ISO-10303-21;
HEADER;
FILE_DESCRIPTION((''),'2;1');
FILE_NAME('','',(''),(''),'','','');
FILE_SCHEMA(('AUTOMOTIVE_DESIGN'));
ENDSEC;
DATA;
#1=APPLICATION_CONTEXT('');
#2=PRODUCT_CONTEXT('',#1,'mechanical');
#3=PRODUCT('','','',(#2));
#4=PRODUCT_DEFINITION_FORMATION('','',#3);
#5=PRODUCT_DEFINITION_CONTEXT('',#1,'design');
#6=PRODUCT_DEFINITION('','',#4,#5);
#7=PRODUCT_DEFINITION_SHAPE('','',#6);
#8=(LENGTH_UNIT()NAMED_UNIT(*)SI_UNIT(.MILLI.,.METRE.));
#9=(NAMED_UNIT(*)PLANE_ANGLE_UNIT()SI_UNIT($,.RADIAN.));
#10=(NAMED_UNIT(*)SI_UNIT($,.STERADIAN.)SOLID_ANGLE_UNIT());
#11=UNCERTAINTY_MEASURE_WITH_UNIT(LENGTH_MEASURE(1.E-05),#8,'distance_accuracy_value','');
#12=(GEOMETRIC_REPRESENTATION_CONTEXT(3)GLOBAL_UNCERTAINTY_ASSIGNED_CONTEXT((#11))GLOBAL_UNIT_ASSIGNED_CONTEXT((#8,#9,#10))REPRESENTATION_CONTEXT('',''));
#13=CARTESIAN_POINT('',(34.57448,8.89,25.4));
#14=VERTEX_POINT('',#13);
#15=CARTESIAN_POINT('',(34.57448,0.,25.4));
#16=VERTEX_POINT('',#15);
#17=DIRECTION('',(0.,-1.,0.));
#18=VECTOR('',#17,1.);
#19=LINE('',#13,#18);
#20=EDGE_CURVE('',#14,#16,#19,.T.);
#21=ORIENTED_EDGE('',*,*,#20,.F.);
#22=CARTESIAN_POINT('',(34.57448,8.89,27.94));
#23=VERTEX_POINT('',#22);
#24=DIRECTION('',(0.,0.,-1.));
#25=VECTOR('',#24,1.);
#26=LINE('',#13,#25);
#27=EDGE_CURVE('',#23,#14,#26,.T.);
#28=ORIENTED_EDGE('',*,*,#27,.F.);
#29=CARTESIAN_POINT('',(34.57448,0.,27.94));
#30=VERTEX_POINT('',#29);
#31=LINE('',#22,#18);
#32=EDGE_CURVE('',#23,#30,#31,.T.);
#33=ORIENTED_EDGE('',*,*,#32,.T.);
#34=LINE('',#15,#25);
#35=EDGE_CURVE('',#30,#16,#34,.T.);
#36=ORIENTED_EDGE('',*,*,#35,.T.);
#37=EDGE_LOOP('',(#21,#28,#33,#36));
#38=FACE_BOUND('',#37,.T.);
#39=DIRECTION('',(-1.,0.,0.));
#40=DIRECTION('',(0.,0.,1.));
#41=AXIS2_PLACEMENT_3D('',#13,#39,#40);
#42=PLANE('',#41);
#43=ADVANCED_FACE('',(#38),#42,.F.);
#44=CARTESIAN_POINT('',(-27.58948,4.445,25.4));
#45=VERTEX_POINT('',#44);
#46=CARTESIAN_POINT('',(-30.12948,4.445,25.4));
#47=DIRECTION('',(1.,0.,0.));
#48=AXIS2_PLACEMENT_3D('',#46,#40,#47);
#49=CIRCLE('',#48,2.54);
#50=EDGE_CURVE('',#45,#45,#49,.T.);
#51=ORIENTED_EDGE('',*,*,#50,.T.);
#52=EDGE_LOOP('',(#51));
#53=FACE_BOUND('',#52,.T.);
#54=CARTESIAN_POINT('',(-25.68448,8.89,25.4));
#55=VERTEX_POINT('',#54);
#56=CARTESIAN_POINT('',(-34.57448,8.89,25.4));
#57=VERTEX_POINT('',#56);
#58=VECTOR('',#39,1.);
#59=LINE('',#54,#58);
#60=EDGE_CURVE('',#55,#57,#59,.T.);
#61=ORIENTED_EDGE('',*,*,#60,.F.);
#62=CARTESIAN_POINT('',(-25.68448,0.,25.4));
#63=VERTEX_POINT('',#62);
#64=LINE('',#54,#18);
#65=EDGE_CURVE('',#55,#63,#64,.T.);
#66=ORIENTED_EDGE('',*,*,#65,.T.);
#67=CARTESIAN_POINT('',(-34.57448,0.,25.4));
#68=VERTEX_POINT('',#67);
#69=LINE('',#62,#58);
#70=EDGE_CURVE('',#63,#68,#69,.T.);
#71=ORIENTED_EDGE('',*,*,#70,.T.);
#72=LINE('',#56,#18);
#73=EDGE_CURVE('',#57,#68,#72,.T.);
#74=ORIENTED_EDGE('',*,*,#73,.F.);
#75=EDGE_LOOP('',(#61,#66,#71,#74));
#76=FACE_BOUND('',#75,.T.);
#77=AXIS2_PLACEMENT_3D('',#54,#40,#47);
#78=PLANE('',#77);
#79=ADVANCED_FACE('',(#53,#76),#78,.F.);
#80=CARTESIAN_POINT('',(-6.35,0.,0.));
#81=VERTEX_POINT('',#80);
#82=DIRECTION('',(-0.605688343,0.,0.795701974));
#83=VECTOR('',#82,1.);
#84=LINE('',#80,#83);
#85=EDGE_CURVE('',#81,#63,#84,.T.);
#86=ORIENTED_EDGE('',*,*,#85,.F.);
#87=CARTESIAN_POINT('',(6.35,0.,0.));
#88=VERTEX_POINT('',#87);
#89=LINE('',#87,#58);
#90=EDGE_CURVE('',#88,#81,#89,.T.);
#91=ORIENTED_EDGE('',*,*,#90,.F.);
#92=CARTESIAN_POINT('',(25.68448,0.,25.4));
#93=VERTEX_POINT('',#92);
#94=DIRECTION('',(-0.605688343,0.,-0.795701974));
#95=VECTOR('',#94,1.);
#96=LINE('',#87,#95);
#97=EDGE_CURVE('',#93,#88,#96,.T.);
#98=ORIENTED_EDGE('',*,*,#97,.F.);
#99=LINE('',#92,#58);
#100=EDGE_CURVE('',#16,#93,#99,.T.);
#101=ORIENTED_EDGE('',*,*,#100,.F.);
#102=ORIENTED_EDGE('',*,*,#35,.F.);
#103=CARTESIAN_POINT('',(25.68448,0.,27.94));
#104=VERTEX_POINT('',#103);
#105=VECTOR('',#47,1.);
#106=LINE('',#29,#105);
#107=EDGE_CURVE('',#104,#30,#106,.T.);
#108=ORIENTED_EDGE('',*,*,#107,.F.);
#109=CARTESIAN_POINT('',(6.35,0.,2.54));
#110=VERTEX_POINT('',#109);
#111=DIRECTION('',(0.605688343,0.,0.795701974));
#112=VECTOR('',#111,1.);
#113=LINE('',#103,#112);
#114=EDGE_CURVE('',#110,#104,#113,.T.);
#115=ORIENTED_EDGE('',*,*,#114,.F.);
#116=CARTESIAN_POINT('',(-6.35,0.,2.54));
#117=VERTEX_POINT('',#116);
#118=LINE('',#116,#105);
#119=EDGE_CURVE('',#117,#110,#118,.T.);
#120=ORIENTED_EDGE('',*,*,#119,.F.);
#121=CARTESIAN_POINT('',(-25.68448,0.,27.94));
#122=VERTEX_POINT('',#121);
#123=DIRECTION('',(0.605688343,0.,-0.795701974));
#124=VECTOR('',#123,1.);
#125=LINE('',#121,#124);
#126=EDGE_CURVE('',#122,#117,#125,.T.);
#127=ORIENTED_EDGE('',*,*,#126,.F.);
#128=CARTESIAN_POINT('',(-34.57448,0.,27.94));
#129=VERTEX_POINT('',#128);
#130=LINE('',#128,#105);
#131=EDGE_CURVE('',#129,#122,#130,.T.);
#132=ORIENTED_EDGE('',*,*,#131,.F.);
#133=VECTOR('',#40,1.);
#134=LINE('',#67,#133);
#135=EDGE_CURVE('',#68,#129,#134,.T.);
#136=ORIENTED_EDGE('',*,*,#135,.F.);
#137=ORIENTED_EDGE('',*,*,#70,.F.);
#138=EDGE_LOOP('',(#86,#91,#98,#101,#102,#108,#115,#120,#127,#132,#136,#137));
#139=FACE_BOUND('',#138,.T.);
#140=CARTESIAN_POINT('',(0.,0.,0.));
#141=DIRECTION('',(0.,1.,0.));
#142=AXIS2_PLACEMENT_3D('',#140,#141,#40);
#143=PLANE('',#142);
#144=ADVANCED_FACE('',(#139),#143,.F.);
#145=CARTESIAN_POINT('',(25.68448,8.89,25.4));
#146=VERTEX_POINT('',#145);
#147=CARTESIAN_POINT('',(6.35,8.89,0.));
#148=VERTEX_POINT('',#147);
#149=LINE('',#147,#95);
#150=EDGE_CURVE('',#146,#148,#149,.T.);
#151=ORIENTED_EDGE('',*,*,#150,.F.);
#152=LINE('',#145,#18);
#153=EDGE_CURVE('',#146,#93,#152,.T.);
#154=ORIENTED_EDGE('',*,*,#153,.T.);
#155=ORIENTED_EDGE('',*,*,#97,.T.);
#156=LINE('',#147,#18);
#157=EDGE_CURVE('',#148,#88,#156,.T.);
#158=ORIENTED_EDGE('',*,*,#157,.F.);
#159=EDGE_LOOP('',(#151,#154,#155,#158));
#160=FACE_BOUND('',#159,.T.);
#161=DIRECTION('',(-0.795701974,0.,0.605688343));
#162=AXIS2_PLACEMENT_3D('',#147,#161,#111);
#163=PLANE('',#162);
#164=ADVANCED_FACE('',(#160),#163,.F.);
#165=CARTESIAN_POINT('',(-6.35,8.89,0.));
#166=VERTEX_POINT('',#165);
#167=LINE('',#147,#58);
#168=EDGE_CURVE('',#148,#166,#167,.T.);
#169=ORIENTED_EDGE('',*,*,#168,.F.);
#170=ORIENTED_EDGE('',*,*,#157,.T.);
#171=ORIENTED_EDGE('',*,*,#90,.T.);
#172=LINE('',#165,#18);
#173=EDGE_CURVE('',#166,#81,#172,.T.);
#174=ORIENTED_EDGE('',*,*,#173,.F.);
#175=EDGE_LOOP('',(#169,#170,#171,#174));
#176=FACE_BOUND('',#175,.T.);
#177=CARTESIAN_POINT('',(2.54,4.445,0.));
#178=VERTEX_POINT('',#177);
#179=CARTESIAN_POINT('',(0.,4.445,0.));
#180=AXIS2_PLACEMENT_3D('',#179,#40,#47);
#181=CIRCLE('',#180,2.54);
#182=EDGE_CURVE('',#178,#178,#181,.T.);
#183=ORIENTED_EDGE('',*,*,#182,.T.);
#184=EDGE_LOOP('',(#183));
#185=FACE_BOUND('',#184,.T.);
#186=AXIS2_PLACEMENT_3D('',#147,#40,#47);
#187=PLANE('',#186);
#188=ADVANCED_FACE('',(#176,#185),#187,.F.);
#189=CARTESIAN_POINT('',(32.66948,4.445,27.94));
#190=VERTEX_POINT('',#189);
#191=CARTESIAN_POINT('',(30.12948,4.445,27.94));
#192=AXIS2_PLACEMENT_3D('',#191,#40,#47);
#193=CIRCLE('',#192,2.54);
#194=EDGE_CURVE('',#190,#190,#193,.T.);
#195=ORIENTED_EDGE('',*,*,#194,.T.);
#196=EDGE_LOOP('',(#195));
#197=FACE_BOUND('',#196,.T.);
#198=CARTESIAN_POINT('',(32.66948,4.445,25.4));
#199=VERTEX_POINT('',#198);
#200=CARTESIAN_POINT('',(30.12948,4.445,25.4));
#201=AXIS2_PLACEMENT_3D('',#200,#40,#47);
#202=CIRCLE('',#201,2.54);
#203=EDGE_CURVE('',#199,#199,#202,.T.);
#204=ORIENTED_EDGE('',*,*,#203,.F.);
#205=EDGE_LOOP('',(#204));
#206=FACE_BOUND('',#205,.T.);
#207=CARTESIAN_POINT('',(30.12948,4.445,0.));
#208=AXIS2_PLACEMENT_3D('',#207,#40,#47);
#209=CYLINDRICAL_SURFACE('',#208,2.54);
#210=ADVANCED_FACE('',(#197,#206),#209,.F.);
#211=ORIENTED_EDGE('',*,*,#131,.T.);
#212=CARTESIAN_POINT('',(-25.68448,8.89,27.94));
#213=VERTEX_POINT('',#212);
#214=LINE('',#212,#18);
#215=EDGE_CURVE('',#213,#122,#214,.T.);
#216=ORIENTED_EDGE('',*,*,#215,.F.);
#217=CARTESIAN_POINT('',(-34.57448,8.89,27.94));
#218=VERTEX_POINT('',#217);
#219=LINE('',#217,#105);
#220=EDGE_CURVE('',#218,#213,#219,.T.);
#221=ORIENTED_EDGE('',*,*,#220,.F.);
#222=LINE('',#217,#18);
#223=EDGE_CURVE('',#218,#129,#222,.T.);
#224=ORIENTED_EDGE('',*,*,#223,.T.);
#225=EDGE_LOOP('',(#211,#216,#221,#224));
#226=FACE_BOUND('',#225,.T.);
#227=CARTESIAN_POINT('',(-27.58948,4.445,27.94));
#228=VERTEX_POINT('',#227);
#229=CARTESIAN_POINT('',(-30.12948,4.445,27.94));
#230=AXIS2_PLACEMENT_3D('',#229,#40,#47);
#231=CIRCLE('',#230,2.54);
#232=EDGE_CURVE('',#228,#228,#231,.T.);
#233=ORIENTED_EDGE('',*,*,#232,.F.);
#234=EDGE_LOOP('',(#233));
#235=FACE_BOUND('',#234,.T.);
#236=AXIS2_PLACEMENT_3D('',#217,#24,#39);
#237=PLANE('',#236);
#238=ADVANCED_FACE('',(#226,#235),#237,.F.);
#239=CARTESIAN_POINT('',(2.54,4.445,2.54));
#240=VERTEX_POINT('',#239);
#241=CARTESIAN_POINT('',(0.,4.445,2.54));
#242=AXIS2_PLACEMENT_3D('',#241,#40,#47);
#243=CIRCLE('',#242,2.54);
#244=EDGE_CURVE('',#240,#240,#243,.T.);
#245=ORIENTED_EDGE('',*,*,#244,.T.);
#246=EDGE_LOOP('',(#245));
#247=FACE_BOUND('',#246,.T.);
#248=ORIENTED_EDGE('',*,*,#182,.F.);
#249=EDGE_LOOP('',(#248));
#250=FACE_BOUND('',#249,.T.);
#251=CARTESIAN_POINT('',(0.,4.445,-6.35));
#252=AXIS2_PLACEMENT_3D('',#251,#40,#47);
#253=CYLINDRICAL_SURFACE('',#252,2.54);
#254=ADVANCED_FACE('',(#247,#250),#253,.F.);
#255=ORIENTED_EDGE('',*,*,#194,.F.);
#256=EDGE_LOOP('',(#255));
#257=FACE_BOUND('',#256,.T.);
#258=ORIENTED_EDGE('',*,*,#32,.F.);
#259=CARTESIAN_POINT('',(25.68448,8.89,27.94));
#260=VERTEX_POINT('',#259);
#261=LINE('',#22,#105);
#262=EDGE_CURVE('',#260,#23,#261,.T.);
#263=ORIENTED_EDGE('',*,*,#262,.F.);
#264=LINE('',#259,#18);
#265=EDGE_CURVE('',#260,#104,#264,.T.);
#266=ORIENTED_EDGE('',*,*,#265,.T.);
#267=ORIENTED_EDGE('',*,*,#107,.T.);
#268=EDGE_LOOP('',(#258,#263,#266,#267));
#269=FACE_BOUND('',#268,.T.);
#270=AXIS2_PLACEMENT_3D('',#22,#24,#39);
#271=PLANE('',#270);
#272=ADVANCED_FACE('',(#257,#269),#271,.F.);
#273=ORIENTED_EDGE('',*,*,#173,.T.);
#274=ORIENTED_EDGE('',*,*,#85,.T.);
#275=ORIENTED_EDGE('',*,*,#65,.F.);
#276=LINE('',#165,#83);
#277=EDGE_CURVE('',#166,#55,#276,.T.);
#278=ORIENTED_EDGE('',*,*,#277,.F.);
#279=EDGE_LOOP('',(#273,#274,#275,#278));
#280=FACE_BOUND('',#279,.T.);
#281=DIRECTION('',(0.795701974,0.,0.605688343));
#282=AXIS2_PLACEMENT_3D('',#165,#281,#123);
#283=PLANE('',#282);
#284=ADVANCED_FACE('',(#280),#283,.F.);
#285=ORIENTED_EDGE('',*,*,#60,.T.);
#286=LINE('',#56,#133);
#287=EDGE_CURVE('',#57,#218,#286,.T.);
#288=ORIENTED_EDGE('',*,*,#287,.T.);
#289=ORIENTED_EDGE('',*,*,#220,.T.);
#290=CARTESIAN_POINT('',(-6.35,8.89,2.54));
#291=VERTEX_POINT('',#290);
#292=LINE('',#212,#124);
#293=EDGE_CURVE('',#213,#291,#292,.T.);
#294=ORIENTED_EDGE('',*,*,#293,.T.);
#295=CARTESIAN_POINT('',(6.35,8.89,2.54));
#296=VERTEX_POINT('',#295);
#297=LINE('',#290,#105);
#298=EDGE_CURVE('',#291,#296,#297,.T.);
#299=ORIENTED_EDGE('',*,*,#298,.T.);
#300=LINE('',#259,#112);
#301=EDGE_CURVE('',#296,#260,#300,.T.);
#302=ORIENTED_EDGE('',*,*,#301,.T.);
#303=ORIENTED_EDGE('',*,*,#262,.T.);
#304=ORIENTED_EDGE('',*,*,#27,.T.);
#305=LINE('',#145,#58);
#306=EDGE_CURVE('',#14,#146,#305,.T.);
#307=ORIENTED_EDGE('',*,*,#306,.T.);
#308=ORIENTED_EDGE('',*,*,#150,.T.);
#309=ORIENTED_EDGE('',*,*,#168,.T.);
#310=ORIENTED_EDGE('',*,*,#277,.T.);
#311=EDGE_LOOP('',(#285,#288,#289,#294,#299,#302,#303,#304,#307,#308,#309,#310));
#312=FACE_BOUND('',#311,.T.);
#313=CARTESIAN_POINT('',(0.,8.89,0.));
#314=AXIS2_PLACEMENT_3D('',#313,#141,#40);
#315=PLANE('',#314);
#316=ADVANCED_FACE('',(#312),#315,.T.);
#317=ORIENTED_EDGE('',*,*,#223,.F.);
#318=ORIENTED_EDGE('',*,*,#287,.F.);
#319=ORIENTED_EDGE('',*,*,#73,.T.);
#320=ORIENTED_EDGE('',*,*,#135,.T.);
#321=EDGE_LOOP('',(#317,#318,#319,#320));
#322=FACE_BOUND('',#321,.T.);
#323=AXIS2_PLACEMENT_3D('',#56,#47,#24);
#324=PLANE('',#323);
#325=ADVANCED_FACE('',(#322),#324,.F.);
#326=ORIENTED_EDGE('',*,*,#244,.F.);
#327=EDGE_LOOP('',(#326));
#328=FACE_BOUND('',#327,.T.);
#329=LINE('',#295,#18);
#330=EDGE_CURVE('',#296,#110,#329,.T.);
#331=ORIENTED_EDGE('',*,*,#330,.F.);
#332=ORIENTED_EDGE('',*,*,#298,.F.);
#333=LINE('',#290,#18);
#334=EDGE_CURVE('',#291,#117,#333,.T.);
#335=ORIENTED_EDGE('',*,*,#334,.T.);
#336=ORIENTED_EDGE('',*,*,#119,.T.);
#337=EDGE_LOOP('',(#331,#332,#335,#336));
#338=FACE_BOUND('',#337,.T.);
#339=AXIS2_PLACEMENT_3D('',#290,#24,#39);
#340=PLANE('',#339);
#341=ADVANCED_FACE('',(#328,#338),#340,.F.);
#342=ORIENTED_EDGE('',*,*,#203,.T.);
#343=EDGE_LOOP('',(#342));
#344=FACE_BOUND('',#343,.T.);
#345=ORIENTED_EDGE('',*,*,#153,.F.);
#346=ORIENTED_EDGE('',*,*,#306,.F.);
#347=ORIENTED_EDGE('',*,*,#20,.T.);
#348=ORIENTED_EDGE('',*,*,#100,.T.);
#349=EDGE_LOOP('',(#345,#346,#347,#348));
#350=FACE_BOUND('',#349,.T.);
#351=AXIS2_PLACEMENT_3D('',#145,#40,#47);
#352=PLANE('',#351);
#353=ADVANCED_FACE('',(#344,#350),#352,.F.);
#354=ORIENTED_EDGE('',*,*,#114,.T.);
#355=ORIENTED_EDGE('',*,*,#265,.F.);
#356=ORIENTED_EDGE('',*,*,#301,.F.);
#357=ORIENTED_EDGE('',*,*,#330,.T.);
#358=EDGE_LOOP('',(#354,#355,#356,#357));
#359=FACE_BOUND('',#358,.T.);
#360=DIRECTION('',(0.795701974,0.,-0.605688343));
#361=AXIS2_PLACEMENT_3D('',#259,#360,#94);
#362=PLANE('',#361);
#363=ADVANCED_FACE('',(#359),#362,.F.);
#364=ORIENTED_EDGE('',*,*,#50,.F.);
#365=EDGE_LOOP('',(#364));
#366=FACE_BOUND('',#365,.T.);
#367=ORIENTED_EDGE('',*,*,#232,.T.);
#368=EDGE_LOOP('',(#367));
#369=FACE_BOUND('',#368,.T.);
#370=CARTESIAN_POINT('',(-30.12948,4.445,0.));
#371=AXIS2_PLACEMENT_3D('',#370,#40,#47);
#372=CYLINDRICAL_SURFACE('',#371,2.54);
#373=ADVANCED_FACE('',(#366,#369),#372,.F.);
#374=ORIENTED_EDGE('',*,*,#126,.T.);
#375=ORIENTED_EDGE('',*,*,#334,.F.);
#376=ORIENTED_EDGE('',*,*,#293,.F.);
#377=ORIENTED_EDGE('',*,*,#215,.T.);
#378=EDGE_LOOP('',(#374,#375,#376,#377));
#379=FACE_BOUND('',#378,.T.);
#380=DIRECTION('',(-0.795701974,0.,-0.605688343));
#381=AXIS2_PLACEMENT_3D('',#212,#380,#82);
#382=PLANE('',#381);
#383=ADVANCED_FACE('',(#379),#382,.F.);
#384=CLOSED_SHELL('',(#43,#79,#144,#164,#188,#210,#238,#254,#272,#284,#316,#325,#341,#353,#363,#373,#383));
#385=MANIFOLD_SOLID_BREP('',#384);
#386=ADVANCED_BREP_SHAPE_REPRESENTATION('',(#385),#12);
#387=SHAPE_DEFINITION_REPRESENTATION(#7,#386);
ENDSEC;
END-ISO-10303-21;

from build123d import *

# Parameters (mm, degrees)
BOSS_EXTRUDE1_DEPTH = 8.89
SKETCH2_R           = 2.54
CUT_EXTRUDE1_DEPTH  = 28.94
SKETCH3_R           = 2.54
CUT_EXTRUDE2_DEPTH  = 28.94
SKETCH4_R           = 2.54
CUT_EXTRUDE3_DEPTH  = 8.89


with BuildPart() as part:
    # Sketch1 → Boss-Extrude1 (new body)
    with BuildSketch(Plane(origin=(0, 0, 0), x_dir=(1, 0, 0), z_dir=(0, 1, 0))):
        Polygon((6.35, 0), (-6.35, 0), (-25.68448, -25.4), (-34.57448, -25.4), (-34.57448, -27.94), (-25.68448, -27.94), (-6.35, -2.54), (6.35, -2.54), (25.68448, -27.94), (34.57448, -27.94), (34.57448, -25.4), (25.68448, -25.4), align=None)
    extrude(amount=BOSS_EXTRUDE1_DEPTH)

    # Sketch2 → Cut-Extrude1 (cut, through all)
    with BuildSketch(Plane.XY.offset(27.94)):
        with Locations((-30.12948, 4.445)):
            Circle(SKETCH2_R)
    extrude(amount=-CUT_EXTRUDE1_DEPTH, mode=Mode.SUBTRACT)

    # Sketch3 → Cut-Extrude2 (cut, through all)
    with BuildSketch(Plane.XY.offset(27.94)):
        with Locations((30.12948, 4.445)):
            Circle(SKETCH3_R)
    extrude(amount=-CUT_EXTRUDE2_DEPTH, mode=Mode.SUBTRACT)

    # Sketch4 → Cut-Extrude3 (cut)
    with BuildSketch(Plane.XY.offset(2.54)):
        with Locations((0, 4.445)):
            Circle(SKETCH4_R)
    extrude(amount=-CUT_EXTRUDE3_DEPTH, mode=Mode.SUBTRACT)


solid = part.part
